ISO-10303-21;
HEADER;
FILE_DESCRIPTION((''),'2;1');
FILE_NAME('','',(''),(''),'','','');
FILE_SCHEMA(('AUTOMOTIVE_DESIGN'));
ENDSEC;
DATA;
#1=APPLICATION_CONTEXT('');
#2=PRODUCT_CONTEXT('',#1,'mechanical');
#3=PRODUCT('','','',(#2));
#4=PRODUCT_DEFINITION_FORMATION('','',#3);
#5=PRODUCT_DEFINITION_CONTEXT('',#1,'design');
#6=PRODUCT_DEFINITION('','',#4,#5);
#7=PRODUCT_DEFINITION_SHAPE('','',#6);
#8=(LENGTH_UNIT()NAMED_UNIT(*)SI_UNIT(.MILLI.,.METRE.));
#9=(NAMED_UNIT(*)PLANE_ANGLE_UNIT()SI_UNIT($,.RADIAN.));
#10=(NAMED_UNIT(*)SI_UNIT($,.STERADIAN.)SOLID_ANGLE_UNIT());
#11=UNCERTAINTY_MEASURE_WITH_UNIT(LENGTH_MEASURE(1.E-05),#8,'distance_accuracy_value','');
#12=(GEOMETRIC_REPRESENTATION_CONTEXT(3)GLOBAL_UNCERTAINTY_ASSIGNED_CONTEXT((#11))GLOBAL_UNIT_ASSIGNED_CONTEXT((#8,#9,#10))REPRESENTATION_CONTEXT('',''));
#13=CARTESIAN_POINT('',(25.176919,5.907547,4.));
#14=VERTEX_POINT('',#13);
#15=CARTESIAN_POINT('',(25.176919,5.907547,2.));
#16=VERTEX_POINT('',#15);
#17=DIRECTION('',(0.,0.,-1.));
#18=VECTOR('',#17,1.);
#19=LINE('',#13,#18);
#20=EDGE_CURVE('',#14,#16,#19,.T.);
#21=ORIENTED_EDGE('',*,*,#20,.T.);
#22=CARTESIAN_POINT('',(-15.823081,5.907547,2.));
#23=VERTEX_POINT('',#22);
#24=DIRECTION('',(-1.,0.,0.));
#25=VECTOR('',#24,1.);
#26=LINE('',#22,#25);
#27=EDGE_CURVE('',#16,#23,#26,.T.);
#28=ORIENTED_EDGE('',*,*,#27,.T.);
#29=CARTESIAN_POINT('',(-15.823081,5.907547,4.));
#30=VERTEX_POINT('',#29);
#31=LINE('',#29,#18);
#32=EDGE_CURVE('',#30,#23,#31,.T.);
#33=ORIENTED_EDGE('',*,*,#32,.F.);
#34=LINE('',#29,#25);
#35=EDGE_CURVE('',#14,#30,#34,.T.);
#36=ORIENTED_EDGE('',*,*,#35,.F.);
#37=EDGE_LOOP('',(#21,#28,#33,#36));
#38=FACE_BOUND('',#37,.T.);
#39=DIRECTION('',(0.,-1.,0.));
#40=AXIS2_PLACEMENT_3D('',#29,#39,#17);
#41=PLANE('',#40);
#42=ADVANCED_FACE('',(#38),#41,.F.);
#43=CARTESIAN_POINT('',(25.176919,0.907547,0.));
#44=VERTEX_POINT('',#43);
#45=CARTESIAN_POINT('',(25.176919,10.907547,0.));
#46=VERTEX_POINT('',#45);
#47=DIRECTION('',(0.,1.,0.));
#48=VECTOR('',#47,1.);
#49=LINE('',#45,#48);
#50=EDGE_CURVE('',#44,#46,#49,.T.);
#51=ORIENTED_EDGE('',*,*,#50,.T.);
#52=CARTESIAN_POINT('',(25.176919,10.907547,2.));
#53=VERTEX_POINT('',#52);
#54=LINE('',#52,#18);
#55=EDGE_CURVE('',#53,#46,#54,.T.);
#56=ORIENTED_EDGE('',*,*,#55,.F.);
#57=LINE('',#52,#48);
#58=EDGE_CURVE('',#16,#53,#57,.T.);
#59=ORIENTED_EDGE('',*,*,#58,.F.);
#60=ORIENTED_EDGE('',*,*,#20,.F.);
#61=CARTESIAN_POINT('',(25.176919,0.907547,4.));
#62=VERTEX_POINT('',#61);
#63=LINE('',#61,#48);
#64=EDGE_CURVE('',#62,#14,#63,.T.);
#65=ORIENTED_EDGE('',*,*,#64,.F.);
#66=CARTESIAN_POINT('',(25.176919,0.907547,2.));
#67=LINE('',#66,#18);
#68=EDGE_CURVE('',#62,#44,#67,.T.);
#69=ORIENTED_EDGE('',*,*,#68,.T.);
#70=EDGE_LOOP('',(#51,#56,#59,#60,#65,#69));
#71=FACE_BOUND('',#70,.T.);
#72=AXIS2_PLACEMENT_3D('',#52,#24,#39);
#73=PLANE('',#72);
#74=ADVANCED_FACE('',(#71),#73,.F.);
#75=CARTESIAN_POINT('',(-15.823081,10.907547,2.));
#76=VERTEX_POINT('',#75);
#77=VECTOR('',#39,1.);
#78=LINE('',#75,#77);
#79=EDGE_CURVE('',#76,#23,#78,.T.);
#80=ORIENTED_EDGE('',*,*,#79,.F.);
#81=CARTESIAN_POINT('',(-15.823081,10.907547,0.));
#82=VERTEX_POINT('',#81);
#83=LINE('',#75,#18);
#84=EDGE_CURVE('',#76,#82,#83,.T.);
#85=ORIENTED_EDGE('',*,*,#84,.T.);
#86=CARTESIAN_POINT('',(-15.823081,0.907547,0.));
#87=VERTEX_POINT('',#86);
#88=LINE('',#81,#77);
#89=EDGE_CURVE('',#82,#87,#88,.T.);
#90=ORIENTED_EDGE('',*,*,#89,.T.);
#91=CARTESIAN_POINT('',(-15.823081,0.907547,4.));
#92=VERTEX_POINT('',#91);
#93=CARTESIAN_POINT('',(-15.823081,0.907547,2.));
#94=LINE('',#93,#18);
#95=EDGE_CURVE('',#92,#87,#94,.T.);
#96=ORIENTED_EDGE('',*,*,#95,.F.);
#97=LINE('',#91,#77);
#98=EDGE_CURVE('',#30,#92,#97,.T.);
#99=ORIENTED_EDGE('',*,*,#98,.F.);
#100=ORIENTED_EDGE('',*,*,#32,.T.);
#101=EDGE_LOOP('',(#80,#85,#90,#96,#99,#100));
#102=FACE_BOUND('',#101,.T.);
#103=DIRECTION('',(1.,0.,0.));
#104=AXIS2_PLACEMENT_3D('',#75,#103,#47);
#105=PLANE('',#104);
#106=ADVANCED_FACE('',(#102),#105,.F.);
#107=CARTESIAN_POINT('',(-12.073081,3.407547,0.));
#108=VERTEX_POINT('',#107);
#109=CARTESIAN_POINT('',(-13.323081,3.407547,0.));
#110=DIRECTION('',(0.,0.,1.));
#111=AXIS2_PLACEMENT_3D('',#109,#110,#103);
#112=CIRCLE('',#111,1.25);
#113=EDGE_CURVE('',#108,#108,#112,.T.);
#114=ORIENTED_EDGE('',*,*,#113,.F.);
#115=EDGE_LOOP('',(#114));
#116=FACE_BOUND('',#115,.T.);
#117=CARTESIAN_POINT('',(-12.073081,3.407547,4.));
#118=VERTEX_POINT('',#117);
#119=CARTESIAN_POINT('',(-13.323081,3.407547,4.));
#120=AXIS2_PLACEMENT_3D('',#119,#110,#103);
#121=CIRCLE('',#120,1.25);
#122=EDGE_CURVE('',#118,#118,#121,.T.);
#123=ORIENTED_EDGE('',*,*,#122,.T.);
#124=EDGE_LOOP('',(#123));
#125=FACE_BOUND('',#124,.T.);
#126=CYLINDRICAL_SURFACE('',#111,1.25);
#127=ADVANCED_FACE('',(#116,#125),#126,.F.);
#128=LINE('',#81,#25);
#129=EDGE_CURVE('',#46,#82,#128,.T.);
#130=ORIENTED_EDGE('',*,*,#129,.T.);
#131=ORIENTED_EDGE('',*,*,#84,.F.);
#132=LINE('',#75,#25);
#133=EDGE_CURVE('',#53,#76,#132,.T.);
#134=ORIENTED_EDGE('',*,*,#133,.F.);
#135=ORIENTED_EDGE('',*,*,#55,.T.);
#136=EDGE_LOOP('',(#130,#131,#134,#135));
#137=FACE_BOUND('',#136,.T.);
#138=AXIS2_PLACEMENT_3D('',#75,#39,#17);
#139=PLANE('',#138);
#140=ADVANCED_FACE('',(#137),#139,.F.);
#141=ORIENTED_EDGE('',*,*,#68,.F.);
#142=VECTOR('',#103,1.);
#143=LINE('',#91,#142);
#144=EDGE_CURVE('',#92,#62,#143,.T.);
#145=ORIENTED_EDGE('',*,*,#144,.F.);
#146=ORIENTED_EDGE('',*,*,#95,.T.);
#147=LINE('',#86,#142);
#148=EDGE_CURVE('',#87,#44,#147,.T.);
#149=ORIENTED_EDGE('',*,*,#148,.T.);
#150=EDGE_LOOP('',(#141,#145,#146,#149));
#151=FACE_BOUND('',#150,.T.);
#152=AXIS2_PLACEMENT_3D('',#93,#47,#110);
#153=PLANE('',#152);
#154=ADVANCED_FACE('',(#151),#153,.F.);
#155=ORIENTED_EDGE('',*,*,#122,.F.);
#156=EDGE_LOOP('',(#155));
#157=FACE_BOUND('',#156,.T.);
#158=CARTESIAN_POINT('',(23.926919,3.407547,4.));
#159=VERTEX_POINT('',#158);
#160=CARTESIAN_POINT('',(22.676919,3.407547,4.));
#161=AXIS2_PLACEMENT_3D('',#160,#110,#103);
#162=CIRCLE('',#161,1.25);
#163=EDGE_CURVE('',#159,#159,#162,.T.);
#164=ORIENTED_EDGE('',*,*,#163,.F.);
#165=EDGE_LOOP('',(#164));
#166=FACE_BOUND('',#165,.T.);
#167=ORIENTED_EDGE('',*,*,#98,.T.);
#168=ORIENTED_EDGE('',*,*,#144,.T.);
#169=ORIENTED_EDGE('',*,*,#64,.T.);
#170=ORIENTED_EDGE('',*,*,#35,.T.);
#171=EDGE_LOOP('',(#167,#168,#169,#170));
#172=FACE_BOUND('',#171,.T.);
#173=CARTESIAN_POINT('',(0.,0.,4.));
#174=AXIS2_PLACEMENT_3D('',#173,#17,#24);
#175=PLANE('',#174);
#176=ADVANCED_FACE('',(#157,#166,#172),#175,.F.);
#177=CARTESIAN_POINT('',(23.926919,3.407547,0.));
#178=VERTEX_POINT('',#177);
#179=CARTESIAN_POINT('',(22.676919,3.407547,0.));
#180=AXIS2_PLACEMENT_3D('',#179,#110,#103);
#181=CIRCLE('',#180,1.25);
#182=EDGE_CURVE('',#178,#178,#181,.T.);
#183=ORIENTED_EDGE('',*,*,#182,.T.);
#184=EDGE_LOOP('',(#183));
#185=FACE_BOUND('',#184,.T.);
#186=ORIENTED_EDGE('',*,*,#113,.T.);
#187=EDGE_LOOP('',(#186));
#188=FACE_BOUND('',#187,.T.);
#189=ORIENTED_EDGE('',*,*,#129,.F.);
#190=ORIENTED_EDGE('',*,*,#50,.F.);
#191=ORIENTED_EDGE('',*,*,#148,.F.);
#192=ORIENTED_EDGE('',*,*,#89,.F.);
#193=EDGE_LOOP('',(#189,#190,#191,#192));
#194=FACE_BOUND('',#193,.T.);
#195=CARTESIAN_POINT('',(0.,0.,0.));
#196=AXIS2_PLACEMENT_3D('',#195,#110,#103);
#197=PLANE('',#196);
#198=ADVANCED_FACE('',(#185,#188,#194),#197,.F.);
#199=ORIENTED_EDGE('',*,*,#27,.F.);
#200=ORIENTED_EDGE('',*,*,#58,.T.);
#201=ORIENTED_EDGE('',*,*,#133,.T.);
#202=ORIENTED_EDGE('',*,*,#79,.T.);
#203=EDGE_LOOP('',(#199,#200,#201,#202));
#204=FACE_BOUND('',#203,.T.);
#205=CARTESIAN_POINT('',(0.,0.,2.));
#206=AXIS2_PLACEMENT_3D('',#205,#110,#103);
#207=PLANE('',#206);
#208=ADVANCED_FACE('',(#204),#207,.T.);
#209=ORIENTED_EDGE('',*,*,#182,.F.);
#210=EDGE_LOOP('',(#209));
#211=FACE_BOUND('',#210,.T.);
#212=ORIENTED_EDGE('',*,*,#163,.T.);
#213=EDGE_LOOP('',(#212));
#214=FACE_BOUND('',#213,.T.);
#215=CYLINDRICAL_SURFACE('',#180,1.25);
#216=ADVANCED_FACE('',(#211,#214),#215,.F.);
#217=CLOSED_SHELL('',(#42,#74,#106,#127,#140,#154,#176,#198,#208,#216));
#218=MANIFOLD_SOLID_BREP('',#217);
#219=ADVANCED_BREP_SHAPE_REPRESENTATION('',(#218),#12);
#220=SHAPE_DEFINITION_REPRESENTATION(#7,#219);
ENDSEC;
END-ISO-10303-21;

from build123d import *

# Parameters (mm, degrees)
SKETCH_1_W          = 41
SKETCH_1_H          = 10
EXTRUDE_1_DEPTH     = 2
SKETCH_2_W          = 41
SKETCH_2_H          = 5
EXTRUDE_2_DEPTH     = 2
SKETCH_3_R          = 1.25
CUT_EXTRUDE_1_DEPTH = 28.728178021


with BuildPart() as part:
    # 草圖1 → 填料-伸長1 (new body)
    with BuildSketch(Plane.XY):
        with Locations((4.676919413, 5.90754717)):
            Rectangle(SKETCH_1_W, SKETCH_1_H)
    extrude(amount=EXTRUDE_1_DEPTH)

    # 草圖2 → 填料-伸長2 (add)
    with BuildSketch(Plane.XY.offset(2)):
        with Locations((4.676919413, 3.40754717)):
            Rectangle(SKETCH_2_W, SKETCH_2_H)
    extrude(amount=EXTRUDE_2_DEPTH)

    # 草圖3 → 除料-伸長1 (cut, through all)
    with BuildSketch(Plane.XY.offset(4)):
        with Locations((-13.323080587, 3.40754717)):
            Circle(SKETCH_3_R)
        with Locations((22.676919413, 3.40754717)):
            Circle(SKETCH_3_R)
    extrude(amount=-CUT_EXTRUDE_1_DEPTH, mode=Mode.SUBTRACT)


solid = part.part
